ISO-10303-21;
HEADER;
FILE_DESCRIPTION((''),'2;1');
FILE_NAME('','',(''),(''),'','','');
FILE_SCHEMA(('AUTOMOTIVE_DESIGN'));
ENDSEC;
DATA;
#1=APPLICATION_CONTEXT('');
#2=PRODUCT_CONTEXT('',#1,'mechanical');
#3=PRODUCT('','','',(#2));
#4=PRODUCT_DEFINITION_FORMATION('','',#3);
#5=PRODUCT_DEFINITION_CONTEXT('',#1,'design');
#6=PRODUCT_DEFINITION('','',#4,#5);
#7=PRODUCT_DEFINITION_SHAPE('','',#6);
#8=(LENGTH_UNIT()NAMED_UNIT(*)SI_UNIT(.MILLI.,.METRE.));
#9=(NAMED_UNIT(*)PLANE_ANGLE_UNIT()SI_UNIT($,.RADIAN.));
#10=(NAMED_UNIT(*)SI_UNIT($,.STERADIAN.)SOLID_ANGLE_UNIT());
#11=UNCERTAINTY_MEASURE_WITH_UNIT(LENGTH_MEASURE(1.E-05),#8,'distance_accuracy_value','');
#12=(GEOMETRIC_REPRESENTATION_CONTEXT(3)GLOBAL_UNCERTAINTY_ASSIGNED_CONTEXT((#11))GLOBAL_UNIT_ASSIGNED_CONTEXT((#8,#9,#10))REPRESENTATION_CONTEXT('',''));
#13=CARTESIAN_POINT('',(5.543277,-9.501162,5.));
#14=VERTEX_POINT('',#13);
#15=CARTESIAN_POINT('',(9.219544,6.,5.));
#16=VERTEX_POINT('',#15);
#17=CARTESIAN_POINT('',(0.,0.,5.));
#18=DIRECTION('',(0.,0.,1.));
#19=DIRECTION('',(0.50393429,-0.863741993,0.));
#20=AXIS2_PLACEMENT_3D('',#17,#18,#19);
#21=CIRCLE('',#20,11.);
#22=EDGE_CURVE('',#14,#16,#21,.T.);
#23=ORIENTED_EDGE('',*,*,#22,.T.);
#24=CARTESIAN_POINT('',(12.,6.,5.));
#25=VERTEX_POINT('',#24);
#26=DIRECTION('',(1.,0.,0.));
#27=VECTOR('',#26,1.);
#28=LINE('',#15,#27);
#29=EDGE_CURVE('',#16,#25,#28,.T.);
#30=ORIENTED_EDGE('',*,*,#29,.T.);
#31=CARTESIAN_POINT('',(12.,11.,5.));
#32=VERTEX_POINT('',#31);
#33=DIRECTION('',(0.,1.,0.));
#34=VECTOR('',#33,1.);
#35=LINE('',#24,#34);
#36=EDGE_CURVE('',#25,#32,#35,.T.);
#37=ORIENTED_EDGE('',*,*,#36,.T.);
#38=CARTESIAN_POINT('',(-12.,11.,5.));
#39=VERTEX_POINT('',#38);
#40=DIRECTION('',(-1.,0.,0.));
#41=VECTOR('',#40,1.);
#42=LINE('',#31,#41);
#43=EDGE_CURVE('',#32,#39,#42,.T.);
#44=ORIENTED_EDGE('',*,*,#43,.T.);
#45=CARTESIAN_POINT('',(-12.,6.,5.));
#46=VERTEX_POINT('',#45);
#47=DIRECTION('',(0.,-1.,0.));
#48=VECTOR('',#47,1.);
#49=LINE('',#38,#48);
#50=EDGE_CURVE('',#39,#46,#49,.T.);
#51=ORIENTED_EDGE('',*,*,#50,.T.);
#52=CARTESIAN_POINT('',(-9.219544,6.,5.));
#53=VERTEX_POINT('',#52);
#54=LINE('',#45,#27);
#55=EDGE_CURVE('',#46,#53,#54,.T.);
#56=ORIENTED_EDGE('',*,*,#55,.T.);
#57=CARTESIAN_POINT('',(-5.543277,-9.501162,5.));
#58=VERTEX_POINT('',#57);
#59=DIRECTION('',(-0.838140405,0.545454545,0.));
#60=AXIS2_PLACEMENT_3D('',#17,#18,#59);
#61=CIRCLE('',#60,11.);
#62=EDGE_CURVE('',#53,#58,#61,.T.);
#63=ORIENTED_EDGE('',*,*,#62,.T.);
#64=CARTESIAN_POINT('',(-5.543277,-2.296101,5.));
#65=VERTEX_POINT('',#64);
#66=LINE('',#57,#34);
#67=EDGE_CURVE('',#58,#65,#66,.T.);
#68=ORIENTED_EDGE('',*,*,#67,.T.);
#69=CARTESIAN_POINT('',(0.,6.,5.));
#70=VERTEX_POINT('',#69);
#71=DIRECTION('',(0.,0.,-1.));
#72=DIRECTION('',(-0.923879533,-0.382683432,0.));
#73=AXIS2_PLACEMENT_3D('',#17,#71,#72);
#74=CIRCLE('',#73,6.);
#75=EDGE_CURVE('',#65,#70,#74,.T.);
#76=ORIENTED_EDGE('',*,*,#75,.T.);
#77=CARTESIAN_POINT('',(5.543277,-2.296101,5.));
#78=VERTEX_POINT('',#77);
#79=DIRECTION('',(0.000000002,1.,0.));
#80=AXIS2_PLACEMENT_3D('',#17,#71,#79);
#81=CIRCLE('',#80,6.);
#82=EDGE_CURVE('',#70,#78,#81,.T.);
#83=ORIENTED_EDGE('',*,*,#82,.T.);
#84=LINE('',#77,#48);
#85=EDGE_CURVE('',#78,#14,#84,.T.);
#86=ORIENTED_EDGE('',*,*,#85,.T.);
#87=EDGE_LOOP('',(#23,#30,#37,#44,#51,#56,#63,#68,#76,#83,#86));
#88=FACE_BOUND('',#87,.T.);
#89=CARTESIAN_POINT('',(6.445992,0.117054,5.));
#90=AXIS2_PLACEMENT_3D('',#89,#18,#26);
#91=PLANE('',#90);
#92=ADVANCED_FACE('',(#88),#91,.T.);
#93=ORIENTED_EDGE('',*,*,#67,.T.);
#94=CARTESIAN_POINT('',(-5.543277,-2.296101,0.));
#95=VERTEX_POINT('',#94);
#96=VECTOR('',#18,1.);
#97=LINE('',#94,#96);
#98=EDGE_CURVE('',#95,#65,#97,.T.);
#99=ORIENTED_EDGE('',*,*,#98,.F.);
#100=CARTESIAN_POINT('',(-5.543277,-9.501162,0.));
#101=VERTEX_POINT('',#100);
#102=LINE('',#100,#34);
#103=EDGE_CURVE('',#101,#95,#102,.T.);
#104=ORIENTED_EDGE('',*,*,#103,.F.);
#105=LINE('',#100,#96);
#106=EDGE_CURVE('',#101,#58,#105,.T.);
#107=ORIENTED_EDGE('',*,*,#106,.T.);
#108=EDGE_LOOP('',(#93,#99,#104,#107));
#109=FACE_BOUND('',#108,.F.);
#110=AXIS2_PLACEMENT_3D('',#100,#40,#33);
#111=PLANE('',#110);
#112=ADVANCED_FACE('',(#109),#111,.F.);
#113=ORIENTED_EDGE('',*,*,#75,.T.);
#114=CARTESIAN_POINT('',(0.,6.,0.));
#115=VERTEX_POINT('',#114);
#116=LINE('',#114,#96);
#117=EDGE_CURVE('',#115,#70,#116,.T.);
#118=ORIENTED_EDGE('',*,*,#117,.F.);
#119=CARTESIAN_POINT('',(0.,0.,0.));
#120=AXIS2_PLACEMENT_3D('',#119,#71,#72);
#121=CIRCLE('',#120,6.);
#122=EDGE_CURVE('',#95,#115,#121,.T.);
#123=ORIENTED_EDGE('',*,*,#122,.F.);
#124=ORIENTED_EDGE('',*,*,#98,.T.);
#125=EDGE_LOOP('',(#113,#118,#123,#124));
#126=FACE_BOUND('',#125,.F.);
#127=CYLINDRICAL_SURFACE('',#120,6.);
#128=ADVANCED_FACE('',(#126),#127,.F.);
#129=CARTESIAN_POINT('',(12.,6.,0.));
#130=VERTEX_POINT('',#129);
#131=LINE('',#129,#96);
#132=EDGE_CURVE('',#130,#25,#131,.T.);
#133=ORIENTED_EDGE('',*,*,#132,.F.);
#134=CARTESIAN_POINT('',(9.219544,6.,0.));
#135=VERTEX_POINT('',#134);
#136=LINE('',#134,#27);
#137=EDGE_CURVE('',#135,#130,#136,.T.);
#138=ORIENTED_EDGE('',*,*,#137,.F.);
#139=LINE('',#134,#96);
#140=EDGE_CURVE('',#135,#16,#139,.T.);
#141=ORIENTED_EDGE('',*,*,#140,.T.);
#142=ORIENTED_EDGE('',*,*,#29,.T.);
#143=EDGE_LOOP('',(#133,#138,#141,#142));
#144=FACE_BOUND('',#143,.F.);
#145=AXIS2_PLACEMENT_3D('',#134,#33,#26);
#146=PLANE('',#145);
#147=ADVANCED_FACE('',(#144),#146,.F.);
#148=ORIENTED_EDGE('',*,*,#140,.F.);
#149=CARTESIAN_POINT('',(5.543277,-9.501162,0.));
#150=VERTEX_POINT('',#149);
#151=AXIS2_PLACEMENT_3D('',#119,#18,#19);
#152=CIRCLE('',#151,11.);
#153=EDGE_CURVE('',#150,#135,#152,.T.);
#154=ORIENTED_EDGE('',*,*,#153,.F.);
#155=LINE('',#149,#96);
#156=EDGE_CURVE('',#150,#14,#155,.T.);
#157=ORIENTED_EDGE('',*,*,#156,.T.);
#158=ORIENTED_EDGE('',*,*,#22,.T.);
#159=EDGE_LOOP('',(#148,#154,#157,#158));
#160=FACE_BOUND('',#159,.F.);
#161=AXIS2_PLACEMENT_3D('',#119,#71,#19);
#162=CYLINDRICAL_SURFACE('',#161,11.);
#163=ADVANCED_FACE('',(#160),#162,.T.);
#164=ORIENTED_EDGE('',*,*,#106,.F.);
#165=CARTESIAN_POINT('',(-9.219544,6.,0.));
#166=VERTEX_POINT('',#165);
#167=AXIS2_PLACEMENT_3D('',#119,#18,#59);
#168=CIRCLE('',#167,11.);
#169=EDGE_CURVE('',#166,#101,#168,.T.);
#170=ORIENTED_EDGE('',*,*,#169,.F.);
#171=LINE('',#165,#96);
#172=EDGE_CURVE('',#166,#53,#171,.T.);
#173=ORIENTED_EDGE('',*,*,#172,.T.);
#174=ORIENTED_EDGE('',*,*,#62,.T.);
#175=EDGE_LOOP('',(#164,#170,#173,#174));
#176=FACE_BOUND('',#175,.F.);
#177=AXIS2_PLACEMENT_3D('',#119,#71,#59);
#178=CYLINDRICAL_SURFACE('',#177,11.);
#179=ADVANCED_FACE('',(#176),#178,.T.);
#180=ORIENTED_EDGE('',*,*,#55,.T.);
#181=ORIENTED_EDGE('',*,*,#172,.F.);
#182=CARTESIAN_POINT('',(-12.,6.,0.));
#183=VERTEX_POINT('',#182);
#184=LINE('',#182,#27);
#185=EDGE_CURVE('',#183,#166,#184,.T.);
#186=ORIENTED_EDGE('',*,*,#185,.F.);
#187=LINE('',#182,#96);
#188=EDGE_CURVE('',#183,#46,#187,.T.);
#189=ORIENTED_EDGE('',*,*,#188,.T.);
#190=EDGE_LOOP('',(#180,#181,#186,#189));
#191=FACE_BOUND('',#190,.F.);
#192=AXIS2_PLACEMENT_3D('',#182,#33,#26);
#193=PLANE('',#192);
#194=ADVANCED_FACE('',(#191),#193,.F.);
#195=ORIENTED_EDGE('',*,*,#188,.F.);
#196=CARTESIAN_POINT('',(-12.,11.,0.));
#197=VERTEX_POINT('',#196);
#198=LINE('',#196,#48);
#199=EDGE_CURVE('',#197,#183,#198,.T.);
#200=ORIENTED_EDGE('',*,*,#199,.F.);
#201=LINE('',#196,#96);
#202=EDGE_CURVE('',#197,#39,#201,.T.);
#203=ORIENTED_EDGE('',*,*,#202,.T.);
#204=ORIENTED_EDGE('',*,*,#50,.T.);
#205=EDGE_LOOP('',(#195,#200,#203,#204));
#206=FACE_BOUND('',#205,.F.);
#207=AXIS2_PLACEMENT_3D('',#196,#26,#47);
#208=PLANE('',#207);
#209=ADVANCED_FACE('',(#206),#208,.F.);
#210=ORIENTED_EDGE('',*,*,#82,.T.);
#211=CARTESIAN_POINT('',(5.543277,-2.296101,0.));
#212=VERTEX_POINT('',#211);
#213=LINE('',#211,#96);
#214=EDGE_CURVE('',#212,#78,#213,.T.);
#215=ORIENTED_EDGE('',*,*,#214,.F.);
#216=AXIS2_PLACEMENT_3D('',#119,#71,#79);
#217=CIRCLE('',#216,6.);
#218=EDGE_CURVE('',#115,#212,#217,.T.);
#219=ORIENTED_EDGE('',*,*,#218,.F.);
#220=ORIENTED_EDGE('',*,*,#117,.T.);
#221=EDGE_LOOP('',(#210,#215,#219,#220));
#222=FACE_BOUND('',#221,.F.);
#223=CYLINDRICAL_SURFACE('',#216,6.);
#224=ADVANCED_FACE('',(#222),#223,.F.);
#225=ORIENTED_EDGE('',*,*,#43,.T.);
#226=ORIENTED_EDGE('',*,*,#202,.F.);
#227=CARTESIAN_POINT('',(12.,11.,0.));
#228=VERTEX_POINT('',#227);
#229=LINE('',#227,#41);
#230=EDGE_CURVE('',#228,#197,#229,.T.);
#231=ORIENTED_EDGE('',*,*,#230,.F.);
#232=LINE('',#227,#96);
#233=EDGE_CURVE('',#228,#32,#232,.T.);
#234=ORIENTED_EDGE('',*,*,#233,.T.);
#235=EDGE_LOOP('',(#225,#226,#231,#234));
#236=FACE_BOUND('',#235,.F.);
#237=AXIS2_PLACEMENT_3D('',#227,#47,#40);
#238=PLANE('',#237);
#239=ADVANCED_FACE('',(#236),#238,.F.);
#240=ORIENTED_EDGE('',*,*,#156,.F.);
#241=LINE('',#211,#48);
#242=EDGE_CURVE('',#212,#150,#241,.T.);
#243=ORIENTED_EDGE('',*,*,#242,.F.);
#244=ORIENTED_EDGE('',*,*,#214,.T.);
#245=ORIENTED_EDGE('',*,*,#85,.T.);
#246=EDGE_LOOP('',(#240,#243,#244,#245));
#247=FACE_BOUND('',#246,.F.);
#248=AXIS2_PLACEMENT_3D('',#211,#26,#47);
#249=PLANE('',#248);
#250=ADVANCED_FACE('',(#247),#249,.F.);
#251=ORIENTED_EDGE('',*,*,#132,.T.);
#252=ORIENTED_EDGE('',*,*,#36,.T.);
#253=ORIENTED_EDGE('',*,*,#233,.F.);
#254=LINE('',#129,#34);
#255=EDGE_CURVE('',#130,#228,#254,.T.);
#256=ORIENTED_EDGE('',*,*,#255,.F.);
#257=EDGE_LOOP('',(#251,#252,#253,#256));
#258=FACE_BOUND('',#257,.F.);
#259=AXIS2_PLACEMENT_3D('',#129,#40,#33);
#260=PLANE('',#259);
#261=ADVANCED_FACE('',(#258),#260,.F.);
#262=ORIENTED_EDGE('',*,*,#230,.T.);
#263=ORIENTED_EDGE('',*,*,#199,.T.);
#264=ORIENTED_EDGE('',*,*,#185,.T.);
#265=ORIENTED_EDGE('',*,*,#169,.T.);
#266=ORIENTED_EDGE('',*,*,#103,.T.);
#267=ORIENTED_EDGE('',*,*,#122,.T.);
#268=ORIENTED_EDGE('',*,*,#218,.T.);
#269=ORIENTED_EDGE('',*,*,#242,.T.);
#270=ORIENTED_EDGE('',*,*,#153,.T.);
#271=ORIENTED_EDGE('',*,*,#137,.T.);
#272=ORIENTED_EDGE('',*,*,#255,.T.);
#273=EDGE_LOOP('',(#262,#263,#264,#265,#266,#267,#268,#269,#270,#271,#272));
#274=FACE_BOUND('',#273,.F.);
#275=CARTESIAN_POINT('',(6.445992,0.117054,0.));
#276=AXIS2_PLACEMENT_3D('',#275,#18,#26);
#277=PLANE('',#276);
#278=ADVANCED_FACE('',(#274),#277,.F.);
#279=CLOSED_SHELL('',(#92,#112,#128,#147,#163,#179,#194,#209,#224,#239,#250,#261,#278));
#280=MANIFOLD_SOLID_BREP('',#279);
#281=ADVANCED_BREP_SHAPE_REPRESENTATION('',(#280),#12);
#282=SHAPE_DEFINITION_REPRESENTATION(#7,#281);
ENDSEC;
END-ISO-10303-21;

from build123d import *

# Parameters (mm, degrees)
F1_DEPTH = 5


with BuildPart() as f1:
    # F0 (on Top) → F1 (new body)
    with BuildSketch(Plane.XY):
        with BuildLine():
            ThreePointArc((1.28e-08, 6), (4.9888176774, 3.3334213928), (5.5432771951, -2.2961005942))
            Line((5.5432771951, -2.2961005942), (5.5432771951, -9.5011619257))
            ThreePointArc((5.5432771951, -9.5011619257), (10.703117819, -2.5383595004), (9.2195444573, 6))
            Line((9.2195444573, 6), (1.28e-08, 6))
        make_face()
        with BuildLine():
            ThreePointArc((-5.5432771951, -2.2961005942), (-4.9888176703, 3.3334214034), (1.28e-08, 6))
            Line((1.28e-08, 6), (-9.2195444573, 6))
            ThreePointArc((-9.2195444573, 6), (-10.703117819, -2.5383595004), (-5.5432771951, -9.5011619257))
            Line((-5.5432771951, -9.5011619257), (-5.5432771951, -2.2961005942))
        make_face()
        with BuildLine():
            Line((-9.2195444573, 6), (1.28e-08, 6))
            Line((1.28e-08, 6), (9.2195444573, 6))
            ThreePointArc((9.2195444573, 6), (5.2440442409, 9.6695398029), (0, 11))
            ThreePointArc((0, 11), (-5.2440442409, 9.6695398029), (-9.2195444573, 6))
        make_face()
        with BuildLine():
            Line((-12, 6), (-9.2195444573, 6))
            ThreePointArc((-9.2195444573, 6), (-5.2440442409, 9.6695398029), (0, 11))
            Line((0, 11), (-12, 11))
            Line((-12, 11), (-12, 6))
        make_face()
        with BuildLine():
            ThreePointArc((0, 11), (5.2440442409, 9.6695398029), (9.2195444573, 6))
            Line((9.2195444573, 6), (12, 6))
            Line((12, 6), (12, 11))
            Line((12, 11), (0, 11))
        make_face()
    extrude(amount=F1_DEPTH)


solid = f1.part
